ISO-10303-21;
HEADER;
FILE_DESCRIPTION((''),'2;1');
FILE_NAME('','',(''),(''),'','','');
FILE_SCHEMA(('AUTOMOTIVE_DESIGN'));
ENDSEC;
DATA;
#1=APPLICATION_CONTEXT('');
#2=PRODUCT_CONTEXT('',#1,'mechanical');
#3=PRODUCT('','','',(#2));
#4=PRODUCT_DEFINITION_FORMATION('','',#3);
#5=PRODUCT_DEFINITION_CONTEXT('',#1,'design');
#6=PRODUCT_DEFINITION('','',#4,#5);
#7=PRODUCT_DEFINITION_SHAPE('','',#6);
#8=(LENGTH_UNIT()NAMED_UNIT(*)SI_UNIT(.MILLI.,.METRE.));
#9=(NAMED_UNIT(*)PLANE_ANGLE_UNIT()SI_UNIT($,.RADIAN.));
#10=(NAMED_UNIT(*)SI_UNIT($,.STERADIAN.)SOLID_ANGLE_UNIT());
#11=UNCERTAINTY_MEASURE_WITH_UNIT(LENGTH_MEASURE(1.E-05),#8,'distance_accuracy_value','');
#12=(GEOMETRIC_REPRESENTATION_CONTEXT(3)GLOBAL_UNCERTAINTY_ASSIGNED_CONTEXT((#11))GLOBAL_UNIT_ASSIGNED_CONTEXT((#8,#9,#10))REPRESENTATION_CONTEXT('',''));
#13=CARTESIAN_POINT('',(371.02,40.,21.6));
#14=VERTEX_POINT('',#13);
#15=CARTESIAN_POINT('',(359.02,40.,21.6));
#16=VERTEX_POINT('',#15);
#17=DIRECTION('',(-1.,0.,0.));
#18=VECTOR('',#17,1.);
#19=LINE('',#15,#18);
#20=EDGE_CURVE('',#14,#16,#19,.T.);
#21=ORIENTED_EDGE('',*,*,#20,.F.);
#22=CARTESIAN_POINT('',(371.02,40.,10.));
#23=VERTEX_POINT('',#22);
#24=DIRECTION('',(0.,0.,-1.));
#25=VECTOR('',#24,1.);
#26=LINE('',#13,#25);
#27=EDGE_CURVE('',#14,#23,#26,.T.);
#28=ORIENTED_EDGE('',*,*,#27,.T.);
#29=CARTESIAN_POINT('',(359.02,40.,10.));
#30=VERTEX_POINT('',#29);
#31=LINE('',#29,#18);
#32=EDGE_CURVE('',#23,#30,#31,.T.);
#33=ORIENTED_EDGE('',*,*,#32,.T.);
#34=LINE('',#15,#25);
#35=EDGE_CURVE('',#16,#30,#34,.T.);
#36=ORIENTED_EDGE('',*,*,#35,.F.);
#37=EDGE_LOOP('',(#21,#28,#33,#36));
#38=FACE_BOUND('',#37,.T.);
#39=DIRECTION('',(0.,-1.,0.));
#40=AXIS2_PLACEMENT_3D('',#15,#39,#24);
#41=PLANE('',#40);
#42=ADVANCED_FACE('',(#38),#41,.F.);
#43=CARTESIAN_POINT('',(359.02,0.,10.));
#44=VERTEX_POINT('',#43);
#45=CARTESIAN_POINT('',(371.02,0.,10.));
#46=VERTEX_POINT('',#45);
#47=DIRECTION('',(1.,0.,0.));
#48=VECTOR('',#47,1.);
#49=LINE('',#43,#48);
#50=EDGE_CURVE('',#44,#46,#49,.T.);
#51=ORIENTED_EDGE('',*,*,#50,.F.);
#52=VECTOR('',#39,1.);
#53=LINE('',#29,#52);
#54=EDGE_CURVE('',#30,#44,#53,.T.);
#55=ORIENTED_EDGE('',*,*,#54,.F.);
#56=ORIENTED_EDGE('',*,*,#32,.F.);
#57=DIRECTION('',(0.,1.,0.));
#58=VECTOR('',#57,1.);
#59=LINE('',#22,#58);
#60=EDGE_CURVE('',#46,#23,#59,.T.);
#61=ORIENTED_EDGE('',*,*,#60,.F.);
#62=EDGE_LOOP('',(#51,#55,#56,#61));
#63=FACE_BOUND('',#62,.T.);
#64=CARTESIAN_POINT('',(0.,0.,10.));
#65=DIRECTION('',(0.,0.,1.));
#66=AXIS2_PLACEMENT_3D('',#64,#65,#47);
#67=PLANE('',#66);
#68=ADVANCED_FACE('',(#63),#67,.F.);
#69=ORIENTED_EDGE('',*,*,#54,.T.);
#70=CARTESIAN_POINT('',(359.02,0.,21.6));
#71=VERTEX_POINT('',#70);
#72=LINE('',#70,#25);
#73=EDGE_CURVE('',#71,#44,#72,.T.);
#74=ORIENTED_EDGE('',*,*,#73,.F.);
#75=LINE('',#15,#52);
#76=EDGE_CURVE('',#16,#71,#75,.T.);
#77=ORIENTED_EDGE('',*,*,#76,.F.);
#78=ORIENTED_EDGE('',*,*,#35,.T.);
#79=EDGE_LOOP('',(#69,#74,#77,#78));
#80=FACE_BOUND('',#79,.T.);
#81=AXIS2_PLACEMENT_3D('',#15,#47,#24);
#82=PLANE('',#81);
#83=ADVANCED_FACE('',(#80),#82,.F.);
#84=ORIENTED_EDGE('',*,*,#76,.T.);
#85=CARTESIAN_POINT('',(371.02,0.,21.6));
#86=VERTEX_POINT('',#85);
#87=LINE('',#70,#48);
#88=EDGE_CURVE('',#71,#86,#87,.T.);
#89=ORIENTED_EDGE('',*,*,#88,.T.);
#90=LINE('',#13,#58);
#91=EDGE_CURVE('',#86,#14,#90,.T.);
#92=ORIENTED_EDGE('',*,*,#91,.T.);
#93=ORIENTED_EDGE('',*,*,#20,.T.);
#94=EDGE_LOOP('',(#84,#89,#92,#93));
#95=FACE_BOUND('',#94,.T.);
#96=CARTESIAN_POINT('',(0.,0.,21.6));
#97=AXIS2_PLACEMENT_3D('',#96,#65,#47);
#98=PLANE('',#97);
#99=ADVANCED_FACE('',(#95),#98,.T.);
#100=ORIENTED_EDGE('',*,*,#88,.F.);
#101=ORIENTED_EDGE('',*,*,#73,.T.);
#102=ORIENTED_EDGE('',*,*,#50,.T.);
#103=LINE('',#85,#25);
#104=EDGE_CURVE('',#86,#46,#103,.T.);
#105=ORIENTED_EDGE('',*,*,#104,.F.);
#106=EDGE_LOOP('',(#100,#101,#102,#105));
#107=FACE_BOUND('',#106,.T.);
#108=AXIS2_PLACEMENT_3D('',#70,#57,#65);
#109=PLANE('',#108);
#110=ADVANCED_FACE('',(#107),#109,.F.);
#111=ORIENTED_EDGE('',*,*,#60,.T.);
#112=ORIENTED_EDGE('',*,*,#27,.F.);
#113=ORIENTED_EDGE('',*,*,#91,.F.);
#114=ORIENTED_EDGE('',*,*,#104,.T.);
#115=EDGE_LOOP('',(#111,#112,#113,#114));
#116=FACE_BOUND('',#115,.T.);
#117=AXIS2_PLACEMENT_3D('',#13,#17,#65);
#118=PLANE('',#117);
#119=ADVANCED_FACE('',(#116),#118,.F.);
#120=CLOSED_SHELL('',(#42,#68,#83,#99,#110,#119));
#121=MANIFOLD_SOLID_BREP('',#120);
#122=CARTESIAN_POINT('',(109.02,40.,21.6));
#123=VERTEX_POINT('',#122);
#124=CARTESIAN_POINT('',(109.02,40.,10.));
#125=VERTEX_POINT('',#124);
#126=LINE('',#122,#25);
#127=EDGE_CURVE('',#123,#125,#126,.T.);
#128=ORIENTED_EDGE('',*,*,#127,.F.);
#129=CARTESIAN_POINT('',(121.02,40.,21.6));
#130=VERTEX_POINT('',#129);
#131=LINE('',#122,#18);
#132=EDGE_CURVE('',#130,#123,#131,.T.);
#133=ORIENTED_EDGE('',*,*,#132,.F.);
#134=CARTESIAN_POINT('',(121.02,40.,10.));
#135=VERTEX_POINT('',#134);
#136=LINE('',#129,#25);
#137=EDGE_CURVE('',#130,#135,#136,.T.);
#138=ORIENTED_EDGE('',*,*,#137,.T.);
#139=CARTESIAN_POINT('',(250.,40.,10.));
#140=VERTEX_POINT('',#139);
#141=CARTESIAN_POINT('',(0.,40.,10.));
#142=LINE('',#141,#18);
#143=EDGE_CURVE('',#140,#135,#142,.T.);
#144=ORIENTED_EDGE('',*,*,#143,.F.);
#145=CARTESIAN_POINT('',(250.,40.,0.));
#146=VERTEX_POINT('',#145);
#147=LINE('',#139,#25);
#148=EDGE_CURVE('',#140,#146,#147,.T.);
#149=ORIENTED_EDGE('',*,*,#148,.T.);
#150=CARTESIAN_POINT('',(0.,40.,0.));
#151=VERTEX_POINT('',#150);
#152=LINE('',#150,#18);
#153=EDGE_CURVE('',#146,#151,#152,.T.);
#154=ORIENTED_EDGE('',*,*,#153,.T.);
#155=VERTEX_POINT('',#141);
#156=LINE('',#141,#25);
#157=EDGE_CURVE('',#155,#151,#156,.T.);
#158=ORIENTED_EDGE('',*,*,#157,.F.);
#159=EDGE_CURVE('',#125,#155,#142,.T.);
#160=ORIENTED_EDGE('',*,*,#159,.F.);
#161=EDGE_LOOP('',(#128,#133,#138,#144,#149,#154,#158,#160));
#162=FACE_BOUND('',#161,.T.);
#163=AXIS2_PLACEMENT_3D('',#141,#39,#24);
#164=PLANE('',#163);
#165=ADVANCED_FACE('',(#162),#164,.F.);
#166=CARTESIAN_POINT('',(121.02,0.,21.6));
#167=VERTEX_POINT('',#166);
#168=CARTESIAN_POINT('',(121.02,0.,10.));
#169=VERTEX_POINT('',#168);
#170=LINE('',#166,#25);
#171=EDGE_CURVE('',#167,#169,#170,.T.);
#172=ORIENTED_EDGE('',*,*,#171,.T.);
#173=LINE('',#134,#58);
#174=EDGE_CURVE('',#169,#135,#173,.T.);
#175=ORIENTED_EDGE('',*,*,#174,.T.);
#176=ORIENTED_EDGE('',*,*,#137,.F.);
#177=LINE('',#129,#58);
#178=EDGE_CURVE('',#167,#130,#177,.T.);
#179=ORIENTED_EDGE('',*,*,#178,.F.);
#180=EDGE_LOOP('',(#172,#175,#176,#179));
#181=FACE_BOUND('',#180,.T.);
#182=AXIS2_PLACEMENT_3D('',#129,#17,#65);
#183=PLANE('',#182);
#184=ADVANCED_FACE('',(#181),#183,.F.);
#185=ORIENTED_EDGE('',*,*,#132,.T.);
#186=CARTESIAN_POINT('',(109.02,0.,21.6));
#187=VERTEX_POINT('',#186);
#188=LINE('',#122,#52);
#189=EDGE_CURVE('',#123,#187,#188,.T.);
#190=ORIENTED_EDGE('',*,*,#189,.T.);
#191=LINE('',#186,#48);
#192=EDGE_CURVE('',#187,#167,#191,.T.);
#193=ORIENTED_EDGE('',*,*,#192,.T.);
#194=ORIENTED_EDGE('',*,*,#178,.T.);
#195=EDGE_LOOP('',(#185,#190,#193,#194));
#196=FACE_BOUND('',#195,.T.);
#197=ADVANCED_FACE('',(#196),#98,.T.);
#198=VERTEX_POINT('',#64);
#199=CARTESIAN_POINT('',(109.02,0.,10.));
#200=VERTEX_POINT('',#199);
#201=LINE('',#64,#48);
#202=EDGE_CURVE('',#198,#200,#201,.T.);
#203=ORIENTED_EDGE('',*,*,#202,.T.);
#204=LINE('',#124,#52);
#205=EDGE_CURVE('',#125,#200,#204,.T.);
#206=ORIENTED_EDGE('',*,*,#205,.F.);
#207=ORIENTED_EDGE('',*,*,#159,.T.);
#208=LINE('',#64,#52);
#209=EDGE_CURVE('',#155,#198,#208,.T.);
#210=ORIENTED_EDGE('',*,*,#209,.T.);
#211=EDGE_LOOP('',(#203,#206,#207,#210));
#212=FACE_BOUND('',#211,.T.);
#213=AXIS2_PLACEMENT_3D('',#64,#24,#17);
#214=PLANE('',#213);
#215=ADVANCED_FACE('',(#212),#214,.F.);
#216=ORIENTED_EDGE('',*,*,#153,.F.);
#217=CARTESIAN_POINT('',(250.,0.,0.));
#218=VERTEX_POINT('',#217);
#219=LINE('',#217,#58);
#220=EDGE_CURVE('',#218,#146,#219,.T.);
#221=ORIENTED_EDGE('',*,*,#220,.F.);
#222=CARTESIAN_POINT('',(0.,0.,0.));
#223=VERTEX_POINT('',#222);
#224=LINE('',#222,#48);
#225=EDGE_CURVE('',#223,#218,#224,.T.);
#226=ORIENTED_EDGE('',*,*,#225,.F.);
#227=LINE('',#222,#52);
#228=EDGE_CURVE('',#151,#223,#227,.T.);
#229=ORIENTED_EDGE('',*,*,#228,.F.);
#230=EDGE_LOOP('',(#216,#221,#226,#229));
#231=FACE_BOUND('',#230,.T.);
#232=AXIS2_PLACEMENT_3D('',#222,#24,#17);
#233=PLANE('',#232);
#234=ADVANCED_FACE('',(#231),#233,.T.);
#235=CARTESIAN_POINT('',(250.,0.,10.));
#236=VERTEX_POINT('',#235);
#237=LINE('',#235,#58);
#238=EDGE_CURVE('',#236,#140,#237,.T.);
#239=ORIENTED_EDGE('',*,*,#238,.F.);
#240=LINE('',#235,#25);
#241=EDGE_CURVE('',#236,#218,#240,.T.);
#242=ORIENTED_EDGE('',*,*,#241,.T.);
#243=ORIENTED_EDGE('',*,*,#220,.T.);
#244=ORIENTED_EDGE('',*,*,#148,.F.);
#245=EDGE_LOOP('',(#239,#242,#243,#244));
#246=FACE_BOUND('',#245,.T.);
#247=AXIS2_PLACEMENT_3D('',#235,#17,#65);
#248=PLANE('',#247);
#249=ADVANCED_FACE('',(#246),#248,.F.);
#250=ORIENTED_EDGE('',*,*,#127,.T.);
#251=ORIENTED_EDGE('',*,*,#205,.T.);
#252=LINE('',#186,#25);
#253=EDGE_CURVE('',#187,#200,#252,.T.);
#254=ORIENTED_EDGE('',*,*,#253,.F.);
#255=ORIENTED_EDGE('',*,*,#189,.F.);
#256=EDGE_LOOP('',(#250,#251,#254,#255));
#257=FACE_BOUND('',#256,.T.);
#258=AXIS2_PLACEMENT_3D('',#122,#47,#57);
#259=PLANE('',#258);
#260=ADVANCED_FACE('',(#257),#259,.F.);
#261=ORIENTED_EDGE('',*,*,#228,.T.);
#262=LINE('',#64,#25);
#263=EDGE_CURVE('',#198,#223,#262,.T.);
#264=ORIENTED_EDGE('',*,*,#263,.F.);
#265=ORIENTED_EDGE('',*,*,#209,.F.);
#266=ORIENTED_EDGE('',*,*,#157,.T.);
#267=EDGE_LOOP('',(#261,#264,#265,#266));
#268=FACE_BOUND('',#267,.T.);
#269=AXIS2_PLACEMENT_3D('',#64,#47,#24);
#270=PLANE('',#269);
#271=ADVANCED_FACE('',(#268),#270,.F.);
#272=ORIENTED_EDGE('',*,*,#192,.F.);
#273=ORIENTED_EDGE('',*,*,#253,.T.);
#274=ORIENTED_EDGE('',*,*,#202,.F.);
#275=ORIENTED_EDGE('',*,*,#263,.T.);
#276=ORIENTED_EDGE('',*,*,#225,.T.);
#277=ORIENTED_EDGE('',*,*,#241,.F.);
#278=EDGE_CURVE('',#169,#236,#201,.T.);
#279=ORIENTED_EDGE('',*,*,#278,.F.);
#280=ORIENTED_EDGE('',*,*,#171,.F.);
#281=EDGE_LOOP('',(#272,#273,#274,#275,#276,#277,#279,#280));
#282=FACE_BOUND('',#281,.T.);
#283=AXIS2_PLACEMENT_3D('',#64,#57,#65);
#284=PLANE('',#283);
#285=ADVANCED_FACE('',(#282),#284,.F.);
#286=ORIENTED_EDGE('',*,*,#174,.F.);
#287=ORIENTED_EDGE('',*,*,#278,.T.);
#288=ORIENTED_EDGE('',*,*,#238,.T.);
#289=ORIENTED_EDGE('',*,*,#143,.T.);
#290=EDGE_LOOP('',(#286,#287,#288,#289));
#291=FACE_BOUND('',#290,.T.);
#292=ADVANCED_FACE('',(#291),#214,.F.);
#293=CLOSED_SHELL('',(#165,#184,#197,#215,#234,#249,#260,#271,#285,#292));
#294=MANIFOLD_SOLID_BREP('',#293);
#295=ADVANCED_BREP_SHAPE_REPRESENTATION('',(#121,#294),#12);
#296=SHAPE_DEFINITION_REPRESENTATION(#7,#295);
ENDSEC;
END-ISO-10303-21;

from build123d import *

# Parameters (mm, degrees)
ESQUISSE1_W        = 250
ESQUISSE1_H        = 40
BOSS_EXTRU_1_DEPTH = 10
ESQUISSE2_W        = 12
ESQUISSE2_H        = 40
BOSS_EXTRU_2_DEPTH = 11.6


with BuildPart() as part:
    # Esquisse1 → Boss.-Extru.1 (new body)
    with BuildSketch(Plane.XY):
        with Locations((125, 20)):
            Rectangle(ESQUISSE1_W, ESQUISSE1_H)
    extrude(amount=BOSS_EXTRU_1_DEPTH)

    # Esquisse2 → Boss.-Extru.2 (add)
    with BuildSketch(Plane.XY.offset(10)):
        with Locations((115.02, 20)):
            Rectangle(ESQUISSE2_W, ESQUISSE2_H)
        with Locations((365.02, 20)):
            Rectangle(ESQUISSE2_W, ESQUISSE2_H)
    extrude(amount=BOSS_EXTRU_2_DEPTH)


with BuildPart() as boss_extru_2_piece_1:
    # of the separate pieces the step leaves, piece 1, a body of its own (boss_extru_2_pieces)
    add(part.part.solids().sort_by_distance((0, 0, 0))[0])


with BuildPart() as boss_extru_2_piece_2:
    # of the separate pieces the step leaves, piece 2, a body of its own (boss_extru_2_pieces)
    add(part.part.solids().sort_by_distance((359.02, 40, 10))[0])


solid = Compound([boss_extru_2_piece_1.part, boss_extru_2_piece_2.part])
